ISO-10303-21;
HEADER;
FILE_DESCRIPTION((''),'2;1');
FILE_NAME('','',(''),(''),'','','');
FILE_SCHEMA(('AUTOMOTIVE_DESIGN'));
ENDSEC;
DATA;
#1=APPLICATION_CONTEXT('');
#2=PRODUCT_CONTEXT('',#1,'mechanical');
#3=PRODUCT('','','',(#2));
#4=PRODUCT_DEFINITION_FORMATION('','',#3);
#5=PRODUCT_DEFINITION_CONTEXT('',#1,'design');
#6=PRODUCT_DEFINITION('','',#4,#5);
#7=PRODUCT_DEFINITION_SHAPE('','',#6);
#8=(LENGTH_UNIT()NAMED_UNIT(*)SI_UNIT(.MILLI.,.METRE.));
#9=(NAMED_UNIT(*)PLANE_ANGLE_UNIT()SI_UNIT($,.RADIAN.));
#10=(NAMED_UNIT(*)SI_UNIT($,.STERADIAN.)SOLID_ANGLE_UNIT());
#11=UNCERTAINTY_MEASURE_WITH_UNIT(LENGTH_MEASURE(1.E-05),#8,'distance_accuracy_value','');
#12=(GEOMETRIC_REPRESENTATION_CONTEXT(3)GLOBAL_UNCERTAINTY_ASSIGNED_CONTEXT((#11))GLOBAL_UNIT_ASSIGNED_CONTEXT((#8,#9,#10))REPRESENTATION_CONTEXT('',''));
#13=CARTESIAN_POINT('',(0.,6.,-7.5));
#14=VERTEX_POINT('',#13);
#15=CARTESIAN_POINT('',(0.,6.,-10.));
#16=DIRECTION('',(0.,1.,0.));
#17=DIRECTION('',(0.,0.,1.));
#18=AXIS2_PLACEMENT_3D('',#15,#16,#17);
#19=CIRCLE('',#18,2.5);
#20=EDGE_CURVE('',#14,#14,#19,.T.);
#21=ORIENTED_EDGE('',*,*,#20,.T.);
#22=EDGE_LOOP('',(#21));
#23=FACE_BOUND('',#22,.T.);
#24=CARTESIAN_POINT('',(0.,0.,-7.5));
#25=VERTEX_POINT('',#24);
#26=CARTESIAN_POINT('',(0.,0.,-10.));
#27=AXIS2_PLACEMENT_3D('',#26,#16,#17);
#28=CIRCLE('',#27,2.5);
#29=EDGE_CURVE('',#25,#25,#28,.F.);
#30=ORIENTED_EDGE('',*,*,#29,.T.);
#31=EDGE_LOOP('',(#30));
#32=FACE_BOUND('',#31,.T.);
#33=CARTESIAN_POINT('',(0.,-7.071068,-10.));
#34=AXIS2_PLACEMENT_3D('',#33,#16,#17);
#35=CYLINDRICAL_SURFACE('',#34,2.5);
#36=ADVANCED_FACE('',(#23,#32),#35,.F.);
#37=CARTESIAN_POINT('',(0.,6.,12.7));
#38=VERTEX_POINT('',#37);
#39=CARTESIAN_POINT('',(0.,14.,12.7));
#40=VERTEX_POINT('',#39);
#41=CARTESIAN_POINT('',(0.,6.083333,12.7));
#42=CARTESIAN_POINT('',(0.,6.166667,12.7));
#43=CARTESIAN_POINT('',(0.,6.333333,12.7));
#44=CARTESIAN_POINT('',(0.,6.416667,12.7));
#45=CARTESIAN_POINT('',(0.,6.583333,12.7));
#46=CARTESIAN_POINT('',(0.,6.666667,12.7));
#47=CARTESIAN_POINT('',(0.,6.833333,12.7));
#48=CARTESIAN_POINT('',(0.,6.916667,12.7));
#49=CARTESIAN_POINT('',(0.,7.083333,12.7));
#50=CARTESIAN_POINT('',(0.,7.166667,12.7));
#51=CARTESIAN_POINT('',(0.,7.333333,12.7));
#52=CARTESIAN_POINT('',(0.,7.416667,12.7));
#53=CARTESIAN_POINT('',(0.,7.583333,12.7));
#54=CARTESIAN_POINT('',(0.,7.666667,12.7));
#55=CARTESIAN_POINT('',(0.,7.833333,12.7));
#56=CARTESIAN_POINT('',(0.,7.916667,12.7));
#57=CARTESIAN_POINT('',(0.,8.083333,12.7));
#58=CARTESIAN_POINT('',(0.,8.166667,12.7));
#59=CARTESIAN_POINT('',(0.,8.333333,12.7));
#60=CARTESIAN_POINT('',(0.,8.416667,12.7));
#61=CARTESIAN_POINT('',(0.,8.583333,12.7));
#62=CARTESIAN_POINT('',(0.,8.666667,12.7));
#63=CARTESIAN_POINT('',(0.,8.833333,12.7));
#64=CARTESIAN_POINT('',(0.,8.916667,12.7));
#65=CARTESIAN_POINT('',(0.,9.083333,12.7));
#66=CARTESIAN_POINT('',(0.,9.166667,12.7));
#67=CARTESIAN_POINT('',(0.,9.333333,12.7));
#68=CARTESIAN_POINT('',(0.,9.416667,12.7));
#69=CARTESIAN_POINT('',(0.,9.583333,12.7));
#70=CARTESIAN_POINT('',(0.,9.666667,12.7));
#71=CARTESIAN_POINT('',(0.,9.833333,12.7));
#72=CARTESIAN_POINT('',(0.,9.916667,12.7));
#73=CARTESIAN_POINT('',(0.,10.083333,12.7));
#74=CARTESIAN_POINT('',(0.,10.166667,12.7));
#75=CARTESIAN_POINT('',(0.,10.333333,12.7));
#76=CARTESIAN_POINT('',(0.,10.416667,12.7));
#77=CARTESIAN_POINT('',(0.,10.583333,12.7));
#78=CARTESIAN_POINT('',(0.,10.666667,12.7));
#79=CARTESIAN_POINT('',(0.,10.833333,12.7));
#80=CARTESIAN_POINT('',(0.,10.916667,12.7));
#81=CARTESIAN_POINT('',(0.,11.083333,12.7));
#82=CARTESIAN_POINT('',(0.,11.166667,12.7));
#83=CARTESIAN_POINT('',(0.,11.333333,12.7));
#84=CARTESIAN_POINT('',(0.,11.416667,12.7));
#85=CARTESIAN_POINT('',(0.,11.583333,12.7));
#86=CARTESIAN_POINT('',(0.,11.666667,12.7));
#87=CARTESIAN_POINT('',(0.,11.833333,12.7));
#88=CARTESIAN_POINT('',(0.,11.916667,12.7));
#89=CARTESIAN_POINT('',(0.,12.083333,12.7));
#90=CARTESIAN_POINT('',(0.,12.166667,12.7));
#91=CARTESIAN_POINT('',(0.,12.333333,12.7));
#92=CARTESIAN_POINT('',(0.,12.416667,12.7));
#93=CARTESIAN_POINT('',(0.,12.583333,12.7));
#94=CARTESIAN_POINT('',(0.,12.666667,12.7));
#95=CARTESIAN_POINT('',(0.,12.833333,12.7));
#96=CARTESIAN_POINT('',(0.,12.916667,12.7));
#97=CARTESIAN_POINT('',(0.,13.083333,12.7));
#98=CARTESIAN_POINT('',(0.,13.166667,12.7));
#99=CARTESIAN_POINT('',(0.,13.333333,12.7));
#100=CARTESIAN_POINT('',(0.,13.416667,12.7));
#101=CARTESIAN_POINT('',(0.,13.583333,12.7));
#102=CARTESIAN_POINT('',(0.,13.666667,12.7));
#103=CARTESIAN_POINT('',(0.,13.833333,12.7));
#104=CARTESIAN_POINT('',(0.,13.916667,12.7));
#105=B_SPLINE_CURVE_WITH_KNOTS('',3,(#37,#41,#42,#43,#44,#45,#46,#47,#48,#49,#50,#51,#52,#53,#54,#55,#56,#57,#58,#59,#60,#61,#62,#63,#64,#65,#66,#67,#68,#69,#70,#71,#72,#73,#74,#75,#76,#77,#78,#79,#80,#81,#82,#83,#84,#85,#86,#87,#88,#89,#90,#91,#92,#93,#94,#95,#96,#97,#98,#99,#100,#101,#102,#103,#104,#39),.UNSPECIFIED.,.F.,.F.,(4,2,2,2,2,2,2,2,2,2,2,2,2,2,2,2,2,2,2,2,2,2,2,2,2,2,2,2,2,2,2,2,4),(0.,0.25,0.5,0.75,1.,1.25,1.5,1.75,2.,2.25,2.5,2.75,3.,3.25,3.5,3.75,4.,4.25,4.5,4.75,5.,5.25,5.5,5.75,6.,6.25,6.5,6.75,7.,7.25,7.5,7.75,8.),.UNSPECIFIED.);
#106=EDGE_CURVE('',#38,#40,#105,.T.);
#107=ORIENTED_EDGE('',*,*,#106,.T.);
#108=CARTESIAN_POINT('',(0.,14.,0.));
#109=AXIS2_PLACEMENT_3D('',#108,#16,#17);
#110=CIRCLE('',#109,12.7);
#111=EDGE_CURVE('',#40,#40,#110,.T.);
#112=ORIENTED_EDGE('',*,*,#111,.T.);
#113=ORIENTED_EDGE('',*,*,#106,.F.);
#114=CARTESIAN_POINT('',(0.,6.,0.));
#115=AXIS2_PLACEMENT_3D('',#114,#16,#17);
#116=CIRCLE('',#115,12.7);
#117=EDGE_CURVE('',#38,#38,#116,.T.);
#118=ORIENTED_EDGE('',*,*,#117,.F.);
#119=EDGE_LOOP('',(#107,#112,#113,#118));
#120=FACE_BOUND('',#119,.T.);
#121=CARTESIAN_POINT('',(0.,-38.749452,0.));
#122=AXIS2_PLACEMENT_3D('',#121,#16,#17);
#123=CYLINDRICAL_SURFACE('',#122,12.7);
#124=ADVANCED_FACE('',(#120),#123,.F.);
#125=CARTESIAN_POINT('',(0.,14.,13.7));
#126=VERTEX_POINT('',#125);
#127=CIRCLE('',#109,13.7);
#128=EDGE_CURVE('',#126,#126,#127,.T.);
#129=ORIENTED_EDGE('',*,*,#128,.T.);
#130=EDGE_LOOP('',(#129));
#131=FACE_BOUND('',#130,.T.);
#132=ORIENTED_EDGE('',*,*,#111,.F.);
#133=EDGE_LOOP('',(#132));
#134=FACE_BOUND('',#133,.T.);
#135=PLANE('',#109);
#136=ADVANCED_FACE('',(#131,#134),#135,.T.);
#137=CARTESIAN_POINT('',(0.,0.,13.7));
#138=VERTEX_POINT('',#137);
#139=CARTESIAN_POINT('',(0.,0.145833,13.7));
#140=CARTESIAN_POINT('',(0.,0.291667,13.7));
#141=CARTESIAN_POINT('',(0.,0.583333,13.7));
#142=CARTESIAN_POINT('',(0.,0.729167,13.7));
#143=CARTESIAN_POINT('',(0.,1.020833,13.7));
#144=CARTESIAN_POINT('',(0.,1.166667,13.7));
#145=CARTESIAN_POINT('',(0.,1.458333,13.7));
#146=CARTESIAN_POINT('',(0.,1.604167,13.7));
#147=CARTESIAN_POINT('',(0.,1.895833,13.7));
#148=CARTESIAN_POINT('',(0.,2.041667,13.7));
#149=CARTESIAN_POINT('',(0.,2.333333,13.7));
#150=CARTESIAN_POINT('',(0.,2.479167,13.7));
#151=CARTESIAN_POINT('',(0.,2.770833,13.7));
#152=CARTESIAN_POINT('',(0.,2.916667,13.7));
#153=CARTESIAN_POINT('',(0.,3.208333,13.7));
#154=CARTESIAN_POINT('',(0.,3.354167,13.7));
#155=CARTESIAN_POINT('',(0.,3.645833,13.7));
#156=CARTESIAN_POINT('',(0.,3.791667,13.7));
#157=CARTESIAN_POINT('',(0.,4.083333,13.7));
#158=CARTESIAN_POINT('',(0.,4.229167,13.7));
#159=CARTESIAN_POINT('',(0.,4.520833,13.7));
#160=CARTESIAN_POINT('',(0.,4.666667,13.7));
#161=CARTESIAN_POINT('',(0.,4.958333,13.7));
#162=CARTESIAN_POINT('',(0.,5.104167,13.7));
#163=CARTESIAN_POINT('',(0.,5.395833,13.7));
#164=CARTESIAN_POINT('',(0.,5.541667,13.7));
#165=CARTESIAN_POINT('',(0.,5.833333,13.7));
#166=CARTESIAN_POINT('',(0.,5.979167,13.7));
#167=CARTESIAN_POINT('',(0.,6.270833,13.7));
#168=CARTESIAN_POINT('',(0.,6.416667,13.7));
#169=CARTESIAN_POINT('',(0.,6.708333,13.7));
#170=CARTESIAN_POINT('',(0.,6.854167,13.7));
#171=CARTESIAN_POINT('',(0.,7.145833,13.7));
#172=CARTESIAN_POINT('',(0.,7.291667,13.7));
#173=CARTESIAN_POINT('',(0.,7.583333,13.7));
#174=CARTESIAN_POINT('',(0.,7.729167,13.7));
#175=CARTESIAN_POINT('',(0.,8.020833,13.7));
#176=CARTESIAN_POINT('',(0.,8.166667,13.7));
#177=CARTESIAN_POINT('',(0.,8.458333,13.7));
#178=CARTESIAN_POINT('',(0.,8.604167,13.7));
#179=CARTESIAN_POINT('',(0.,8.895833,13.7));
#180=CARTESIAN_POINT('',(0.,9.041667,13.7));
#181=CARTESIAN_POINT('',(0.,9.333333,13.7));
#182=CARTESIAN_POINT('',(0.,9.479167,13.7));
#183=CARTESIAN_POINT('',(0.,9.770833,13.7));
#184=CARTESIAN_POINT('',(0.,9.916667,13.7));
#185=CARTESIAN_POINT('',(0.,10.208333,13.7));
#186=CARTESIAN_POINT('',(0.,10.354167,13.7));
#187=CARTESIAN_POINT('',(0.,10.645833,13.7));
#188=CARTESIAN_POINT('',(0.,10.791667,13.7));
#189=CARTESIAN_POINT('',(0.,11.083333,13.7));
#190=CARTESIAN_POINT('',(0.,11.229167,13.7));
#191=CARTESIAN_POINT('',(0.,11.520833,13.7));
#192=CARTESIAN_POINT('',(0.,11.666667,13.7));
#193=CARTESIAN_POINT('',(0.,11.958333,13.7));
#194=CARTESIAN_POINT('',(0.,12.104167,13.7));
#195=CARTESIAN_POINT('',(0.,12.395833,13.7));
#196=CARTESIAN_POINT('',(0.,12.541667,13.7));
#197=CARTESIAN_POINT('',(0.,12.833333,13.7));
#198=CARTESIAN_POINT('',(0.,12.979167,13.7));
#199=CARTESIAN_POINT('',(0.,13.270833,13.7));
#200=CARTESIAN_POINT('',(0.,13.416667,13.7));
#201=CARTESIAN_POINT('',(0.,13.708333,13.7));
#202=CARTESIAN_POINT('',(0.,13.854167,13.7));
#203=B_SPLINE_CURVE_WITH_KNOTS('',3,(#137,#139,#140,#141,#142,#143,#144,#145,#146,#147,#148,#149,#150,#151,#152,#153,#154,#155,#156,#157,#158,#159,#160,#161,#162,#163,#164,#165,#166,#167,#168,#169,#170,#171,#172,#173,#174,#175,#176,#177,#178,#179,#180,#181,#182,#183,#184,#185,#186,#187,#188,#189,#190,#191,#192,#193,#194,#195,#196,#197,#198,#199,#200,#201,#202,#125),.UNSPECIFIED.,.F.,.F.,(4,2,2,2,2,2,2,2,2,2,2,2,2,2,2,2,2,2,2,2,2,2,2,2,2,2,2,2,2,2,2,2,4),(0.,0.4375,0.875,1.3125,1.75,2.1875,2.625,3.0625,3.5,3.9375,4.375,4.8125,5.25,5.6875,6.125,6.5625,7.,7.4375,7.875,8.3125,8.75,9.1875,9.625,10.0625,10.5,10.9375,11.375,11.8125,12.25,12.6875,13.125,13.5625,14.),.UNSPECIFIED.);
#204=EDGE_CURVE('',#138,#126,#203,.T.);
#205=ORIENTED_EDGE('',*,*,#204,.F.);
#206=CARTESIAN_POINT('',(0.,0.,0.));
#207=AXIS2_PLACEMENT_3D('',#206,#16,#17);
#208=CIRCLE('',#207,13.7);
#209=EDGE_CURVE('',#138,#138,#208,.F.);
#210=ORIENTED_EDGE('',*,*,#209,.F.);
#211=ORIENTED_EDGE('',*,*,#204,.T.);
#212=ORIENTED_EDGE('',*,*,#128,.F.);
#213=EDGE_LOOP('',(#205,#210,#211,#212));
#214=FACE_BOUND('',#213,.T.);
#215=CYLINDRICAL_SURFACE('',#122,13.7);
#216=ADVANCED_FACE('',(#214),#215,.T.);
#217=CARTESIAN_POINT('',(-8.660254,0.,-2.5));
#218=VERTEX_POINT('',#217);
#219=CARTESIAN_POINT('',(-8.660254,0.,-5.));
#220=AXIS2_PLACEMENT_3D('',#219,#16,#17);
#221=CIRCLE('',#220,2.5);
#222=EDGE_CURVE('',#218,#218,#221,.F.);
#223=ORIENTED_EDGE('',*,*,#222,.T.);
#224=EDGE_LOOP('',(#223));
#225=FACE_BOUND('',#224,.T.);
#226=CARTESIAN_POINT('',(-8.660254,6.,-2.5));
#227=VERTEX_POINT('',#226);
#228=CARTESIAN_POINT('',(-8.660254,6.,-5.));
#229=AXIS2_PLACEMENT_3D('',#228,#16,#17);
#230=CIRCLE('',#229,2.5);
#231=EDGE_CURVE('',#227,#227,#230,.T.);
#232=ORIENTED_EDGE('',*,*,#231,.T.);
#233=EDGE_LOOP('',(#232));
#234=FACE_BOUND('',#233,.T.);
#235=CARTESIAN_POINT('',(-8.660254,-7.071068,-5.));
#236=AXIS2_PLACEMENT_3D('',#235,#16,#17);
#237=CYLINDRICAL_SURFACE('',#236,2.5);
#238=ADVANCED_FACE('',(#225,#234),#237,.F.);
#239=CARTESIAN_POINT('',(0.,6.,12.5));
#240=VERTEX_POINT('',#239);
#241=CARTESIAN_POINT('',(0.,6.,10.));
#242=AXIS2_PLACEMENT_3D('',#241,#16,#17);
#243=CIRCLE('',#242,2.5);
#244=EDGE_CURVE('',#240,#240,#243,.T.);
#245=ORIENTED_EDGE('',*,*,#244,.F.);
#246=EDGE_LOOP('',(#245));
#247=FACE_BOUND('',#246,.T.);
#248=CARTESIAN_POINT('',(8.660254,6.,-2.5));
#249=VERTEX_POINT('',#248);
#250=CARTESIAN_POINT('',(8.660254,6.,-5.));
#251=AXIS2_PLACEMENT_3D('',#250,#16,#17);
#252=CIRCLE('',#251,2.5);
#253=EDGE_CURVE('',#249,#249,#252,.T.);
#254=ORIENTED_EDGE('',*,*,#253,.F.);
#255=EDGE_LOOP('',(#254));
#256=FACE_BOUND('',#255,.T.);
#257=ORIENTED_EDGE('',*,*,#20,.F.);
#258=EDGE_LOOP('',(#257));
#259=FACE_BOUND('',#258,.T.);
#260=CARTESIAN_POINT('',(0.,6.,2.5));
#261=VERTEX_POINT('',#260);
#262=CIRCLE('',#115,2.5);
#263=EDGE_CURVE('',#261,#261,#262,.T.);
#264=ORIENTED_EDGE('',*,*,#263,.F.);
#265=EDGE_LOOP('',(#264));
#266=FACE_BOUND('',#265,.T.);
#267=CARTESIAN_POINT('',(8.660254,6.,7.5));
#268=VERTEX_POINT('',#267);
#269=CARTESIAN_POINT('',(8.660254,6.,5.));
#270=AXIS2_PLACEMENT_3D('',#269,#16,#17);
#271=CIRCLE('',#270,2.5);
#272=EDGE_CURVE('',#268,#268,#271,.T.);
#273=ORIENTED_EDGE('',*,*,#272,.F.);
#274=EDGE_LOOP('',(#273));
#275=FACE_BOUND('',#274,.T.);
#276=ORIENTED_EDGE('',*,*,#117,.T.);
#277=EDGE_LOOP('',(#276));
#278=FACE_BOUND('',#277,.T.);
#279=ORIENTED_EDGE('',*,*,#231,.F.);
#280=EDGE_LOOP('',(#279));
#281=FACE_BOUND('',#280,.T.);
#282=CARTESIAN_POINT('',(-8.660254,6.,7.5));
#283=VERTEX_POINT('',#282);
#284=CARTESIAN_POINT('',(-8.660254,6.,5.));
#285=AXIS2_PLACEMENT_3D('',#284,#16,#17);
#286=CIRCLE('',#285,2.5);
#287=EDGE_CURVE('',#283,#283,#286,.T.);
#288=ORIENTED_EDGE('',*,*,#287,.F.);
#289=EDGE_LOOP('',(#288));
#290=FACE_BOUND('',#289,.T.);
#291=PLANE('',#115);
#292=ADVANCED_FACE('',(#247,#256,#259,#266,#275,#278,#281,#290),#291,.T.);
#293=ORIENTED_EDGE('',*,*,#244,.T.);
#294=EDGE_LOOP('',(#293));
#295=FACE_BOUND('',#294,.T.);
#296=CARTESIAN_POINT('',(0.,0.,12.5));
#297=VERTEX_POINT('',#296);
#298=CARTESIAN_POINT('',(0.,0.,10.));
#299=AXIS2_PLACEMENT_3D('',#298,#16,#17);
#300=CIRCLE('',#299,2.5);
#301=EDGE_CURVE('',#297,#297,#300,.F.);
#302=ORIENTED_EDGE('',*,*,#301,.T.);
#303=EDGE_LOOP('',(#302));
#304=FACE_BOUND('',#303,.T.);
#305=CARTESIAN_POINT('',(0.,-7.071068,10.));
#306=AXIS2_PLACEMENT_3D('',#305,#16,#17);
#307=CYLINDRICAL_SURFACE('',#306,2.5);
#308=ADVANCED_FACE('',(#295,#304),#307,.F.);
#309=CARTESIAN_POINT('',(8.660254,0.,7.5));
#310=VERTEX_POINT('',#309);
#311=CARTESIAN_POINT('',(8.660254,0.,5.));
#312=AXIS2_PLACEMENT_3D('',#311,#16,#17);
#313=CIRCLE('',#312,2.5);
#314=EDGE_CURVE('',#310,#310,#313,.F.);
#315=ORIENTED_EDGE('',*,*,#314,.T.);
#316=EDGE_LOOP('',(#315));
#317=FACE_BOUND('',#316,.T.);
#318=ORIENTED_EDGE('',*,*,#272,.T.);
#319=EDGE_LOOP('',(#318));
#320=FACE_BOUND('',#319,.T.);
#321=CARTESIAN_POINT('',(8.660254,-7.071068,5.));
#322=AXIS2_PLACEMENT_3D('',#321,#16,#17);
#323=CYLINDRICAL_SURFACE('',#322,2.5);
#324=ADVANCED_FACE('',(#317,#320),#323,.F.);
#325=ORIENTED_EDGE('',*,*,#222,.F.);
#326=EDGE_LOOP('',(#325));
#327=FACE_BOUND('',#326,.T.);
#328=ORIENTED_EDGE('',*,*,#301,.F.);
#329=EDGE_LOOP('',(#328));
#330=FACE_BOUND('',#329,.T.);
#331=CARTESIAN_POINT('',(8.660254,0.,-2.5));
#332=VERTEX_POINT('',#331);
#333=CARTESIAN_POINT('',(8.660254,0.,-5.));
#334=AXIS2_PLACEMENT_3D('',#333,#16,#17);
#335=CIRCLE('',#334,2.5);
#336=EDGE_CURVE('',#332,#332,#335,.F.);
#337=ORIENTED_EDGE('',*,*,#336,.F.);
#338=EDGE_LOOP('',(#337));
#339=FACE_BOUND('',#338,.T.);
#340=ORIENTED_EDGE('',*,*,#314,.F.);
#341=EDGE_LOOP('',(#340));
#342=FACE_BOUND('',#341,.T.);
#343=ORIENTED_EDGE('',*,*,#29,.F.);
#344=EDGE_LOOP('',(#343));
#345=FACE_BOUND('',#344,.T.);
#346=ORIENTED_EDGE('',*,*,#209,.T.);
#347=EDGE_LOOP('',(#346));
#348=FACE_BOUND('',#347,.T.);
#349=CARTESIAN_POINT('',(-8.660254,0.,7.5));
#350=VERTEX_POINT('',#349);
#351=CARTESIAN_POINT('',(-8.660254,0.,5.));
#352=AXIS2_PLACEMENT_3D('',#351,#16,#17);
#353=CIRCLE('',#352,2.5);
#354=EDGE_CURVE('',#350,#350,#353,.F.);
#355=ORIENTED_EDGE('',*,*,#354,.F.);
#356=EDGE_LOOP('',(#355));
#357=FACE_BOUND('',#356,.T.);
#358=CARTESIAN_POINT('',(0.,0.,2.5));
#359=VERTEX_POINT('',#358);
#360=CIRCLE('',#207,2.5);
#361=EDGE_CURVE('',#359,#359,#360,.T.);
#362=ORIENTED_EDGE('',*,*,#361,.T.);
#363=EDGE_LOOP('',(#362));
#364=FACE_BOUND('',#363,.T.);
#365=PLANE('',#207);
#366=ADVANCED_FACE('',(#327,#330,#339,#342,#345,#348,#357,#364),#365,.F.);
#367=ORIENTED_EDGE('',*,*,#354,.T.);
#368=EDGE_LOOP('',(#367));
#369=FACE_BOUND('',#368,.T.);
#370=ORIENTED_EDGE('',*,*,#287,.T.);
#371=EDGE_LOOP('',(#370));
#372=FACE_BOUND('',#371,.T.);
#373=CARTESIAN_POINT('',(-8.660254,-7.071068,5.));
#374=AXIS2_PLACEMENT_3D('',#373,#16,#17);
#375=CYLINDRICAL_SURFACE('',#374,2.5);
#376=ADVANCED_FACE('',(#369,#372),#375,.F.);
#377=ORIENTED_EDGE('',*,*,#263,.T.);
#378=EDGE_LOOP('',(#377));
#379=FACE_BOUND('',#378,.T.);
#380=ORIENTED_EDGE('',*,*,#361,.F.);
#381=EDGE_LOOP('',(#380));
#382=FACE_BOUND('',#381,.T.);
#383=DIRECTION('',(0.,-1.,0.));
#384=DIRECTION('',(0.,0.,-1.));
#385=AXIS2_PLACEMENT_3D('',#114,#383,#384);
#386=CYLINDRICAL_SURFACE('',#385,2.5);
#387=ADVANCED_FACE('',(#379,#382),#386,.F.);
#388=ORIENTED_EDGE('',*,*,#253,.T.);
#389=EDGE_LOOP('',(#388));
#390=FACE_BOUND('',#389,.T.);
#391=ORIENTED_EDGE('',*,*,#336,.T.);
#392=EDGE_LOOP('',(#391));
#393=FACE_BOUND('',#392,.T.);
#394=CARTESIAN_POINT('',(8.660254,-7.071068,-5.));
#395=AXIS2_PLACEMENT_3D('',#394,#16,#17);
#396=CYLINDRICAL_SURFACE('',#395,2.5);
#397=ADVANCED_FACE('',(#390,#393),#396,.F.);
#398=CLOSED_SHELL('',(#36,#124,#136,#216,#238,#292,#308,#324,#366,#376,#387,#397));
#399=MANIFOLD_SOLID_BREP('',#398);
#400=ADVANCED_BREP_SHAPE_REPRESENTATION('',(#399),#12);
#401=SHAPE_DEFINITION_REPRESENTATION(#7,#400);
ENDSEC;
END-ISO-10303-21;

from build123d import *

# Parameters (mm, degrees)
SKETCH1_R                       = 13.1
SKETCH1_R_2                     = 2.5
BOSS_EXTRUDE1_DEPTH             = 6
SKETCH2_R                       = 13.7
SKETCH2_R_2                     = 12.7
BOSS_EXTRUDE2_DEPTH             = 8
BOSS_EXTRUDE2_DIRECTION_2_REACH = 21.474
SKETCH7_R                       = 2.5
CUT_EXTRUDE4_DEPTH              = 6


with BuildPart() as part:
    # Sketch1 → Boss-Extrude1 (new body)
    with BuildSketch(Plane(origin=(0, 0, 0), x_dir=(1, 0, 0), z_dir=(0, 1, 0))):
        with Locations(Location((0, 0, 0), (0, 0, 270))):
            Circle(SKETCH1_R)
        with Locations(Location((0, 0, 0), (0, 0, 270))):
            Circle(SKETCH1_R_2, mode=Mode.SUBTRACT)
    extrude(amount=BOSS_EXTRUDE1_DEPTH)

    # Sketch2 → Boss-Extrude2 (add)
    with BuildSketch(Plane(origin=(0, 6, 0), x_dir=(1, 0, 0), z_dir=(0, 1, 0))):
        with Locations(Location((0, 0, 0), (0, 0, 270))):
            Circle(SKETCH2_R)
        with Locations(Location((0, 0, 0), (0, 0, 270))):
            Circle(SKETCH2_R_2, mode=Mode.SUBTRACT)
    extrude(amount=BOSS_EXTRUDE2_DEPTH)

    # Boss-Extrude2 direction 2: up to this face of the body (flat: up to its plane)
    boss_extrude2_direction_2_end = Plane(part.part.faces().sort_by_distance((0, 0, -12.729476047))[0])
    # Sketch2 → Boss-Extrude2 direction 2 (add, up to the picked face)
    with BuildSketch(Plane(origin=(0, 6, 0), x_dir=(1, 0, 0), z_dir=(0, 1, 0)), mode=Mode.PRIVATE) as boss_extrude2_direction_2_sk1:
        with Locations(Location((0, 0, 0), (0, 0, 270))):
            Circle(SKETCH2_R)
        with Locations(Location((0, 0, 0), (0, 0, 270))):
            Circle(SKETCH2_R_2, mode=Mode.SUBTRACT)
    boss_extrude2_direction_2_tool1 = split(extrude(boss_extrude2_direction_2_sk1.sketch, amount=-BOSS_EXTRUDE2_DIRECTION_2_REACH, mode=Mode.PRIVATE), bisect_by=boss_extrude2_direction_2_end, keep=Keep.BOTH, mode=Mode.PRIVATE)
    add(boss_extrude2_direction_2_tool1.solids().sort_by(Axis((0, 6, -13.312505), (0, -1, 0)))[0])

    # Sketch7 → Cut-Extrude4 (cut)
    with BuildSketch(Plane(origin=(0, 6, 0), x_dir=(1, 0, 0), z_dir=(0, 1, 0))):
        with Locations(Location((0, 10, 0), (0, 0, 270))):
            Circle(SKETCH7_R)
        with Locations(Location((8.660254038, 5, 0), (0, 0, 270))):
            Circle(SKETCH7_R)
        with Locations(Location((8.660254038, -5, 0), (0, 0, 270))):
            Circle(SKETCH7_R)
        with Locations(Location((0, -10, 0), (0, 0, 270))):
            Circle(SKETCH7_R)
        with Locations(Location((-8.660254038, -5, 0), (0, 0, 270))):
            Circle(SKETCH7_R)
        with Locations(Location((-8.660254038, 5, 0), (0, 0, 270))):
            Circle(SKETCH7_R)
    extrude(amount=-CUT_EXTRUDE4_DEPTH, mode=Mode.SUBTRACT)


solid = part.part
